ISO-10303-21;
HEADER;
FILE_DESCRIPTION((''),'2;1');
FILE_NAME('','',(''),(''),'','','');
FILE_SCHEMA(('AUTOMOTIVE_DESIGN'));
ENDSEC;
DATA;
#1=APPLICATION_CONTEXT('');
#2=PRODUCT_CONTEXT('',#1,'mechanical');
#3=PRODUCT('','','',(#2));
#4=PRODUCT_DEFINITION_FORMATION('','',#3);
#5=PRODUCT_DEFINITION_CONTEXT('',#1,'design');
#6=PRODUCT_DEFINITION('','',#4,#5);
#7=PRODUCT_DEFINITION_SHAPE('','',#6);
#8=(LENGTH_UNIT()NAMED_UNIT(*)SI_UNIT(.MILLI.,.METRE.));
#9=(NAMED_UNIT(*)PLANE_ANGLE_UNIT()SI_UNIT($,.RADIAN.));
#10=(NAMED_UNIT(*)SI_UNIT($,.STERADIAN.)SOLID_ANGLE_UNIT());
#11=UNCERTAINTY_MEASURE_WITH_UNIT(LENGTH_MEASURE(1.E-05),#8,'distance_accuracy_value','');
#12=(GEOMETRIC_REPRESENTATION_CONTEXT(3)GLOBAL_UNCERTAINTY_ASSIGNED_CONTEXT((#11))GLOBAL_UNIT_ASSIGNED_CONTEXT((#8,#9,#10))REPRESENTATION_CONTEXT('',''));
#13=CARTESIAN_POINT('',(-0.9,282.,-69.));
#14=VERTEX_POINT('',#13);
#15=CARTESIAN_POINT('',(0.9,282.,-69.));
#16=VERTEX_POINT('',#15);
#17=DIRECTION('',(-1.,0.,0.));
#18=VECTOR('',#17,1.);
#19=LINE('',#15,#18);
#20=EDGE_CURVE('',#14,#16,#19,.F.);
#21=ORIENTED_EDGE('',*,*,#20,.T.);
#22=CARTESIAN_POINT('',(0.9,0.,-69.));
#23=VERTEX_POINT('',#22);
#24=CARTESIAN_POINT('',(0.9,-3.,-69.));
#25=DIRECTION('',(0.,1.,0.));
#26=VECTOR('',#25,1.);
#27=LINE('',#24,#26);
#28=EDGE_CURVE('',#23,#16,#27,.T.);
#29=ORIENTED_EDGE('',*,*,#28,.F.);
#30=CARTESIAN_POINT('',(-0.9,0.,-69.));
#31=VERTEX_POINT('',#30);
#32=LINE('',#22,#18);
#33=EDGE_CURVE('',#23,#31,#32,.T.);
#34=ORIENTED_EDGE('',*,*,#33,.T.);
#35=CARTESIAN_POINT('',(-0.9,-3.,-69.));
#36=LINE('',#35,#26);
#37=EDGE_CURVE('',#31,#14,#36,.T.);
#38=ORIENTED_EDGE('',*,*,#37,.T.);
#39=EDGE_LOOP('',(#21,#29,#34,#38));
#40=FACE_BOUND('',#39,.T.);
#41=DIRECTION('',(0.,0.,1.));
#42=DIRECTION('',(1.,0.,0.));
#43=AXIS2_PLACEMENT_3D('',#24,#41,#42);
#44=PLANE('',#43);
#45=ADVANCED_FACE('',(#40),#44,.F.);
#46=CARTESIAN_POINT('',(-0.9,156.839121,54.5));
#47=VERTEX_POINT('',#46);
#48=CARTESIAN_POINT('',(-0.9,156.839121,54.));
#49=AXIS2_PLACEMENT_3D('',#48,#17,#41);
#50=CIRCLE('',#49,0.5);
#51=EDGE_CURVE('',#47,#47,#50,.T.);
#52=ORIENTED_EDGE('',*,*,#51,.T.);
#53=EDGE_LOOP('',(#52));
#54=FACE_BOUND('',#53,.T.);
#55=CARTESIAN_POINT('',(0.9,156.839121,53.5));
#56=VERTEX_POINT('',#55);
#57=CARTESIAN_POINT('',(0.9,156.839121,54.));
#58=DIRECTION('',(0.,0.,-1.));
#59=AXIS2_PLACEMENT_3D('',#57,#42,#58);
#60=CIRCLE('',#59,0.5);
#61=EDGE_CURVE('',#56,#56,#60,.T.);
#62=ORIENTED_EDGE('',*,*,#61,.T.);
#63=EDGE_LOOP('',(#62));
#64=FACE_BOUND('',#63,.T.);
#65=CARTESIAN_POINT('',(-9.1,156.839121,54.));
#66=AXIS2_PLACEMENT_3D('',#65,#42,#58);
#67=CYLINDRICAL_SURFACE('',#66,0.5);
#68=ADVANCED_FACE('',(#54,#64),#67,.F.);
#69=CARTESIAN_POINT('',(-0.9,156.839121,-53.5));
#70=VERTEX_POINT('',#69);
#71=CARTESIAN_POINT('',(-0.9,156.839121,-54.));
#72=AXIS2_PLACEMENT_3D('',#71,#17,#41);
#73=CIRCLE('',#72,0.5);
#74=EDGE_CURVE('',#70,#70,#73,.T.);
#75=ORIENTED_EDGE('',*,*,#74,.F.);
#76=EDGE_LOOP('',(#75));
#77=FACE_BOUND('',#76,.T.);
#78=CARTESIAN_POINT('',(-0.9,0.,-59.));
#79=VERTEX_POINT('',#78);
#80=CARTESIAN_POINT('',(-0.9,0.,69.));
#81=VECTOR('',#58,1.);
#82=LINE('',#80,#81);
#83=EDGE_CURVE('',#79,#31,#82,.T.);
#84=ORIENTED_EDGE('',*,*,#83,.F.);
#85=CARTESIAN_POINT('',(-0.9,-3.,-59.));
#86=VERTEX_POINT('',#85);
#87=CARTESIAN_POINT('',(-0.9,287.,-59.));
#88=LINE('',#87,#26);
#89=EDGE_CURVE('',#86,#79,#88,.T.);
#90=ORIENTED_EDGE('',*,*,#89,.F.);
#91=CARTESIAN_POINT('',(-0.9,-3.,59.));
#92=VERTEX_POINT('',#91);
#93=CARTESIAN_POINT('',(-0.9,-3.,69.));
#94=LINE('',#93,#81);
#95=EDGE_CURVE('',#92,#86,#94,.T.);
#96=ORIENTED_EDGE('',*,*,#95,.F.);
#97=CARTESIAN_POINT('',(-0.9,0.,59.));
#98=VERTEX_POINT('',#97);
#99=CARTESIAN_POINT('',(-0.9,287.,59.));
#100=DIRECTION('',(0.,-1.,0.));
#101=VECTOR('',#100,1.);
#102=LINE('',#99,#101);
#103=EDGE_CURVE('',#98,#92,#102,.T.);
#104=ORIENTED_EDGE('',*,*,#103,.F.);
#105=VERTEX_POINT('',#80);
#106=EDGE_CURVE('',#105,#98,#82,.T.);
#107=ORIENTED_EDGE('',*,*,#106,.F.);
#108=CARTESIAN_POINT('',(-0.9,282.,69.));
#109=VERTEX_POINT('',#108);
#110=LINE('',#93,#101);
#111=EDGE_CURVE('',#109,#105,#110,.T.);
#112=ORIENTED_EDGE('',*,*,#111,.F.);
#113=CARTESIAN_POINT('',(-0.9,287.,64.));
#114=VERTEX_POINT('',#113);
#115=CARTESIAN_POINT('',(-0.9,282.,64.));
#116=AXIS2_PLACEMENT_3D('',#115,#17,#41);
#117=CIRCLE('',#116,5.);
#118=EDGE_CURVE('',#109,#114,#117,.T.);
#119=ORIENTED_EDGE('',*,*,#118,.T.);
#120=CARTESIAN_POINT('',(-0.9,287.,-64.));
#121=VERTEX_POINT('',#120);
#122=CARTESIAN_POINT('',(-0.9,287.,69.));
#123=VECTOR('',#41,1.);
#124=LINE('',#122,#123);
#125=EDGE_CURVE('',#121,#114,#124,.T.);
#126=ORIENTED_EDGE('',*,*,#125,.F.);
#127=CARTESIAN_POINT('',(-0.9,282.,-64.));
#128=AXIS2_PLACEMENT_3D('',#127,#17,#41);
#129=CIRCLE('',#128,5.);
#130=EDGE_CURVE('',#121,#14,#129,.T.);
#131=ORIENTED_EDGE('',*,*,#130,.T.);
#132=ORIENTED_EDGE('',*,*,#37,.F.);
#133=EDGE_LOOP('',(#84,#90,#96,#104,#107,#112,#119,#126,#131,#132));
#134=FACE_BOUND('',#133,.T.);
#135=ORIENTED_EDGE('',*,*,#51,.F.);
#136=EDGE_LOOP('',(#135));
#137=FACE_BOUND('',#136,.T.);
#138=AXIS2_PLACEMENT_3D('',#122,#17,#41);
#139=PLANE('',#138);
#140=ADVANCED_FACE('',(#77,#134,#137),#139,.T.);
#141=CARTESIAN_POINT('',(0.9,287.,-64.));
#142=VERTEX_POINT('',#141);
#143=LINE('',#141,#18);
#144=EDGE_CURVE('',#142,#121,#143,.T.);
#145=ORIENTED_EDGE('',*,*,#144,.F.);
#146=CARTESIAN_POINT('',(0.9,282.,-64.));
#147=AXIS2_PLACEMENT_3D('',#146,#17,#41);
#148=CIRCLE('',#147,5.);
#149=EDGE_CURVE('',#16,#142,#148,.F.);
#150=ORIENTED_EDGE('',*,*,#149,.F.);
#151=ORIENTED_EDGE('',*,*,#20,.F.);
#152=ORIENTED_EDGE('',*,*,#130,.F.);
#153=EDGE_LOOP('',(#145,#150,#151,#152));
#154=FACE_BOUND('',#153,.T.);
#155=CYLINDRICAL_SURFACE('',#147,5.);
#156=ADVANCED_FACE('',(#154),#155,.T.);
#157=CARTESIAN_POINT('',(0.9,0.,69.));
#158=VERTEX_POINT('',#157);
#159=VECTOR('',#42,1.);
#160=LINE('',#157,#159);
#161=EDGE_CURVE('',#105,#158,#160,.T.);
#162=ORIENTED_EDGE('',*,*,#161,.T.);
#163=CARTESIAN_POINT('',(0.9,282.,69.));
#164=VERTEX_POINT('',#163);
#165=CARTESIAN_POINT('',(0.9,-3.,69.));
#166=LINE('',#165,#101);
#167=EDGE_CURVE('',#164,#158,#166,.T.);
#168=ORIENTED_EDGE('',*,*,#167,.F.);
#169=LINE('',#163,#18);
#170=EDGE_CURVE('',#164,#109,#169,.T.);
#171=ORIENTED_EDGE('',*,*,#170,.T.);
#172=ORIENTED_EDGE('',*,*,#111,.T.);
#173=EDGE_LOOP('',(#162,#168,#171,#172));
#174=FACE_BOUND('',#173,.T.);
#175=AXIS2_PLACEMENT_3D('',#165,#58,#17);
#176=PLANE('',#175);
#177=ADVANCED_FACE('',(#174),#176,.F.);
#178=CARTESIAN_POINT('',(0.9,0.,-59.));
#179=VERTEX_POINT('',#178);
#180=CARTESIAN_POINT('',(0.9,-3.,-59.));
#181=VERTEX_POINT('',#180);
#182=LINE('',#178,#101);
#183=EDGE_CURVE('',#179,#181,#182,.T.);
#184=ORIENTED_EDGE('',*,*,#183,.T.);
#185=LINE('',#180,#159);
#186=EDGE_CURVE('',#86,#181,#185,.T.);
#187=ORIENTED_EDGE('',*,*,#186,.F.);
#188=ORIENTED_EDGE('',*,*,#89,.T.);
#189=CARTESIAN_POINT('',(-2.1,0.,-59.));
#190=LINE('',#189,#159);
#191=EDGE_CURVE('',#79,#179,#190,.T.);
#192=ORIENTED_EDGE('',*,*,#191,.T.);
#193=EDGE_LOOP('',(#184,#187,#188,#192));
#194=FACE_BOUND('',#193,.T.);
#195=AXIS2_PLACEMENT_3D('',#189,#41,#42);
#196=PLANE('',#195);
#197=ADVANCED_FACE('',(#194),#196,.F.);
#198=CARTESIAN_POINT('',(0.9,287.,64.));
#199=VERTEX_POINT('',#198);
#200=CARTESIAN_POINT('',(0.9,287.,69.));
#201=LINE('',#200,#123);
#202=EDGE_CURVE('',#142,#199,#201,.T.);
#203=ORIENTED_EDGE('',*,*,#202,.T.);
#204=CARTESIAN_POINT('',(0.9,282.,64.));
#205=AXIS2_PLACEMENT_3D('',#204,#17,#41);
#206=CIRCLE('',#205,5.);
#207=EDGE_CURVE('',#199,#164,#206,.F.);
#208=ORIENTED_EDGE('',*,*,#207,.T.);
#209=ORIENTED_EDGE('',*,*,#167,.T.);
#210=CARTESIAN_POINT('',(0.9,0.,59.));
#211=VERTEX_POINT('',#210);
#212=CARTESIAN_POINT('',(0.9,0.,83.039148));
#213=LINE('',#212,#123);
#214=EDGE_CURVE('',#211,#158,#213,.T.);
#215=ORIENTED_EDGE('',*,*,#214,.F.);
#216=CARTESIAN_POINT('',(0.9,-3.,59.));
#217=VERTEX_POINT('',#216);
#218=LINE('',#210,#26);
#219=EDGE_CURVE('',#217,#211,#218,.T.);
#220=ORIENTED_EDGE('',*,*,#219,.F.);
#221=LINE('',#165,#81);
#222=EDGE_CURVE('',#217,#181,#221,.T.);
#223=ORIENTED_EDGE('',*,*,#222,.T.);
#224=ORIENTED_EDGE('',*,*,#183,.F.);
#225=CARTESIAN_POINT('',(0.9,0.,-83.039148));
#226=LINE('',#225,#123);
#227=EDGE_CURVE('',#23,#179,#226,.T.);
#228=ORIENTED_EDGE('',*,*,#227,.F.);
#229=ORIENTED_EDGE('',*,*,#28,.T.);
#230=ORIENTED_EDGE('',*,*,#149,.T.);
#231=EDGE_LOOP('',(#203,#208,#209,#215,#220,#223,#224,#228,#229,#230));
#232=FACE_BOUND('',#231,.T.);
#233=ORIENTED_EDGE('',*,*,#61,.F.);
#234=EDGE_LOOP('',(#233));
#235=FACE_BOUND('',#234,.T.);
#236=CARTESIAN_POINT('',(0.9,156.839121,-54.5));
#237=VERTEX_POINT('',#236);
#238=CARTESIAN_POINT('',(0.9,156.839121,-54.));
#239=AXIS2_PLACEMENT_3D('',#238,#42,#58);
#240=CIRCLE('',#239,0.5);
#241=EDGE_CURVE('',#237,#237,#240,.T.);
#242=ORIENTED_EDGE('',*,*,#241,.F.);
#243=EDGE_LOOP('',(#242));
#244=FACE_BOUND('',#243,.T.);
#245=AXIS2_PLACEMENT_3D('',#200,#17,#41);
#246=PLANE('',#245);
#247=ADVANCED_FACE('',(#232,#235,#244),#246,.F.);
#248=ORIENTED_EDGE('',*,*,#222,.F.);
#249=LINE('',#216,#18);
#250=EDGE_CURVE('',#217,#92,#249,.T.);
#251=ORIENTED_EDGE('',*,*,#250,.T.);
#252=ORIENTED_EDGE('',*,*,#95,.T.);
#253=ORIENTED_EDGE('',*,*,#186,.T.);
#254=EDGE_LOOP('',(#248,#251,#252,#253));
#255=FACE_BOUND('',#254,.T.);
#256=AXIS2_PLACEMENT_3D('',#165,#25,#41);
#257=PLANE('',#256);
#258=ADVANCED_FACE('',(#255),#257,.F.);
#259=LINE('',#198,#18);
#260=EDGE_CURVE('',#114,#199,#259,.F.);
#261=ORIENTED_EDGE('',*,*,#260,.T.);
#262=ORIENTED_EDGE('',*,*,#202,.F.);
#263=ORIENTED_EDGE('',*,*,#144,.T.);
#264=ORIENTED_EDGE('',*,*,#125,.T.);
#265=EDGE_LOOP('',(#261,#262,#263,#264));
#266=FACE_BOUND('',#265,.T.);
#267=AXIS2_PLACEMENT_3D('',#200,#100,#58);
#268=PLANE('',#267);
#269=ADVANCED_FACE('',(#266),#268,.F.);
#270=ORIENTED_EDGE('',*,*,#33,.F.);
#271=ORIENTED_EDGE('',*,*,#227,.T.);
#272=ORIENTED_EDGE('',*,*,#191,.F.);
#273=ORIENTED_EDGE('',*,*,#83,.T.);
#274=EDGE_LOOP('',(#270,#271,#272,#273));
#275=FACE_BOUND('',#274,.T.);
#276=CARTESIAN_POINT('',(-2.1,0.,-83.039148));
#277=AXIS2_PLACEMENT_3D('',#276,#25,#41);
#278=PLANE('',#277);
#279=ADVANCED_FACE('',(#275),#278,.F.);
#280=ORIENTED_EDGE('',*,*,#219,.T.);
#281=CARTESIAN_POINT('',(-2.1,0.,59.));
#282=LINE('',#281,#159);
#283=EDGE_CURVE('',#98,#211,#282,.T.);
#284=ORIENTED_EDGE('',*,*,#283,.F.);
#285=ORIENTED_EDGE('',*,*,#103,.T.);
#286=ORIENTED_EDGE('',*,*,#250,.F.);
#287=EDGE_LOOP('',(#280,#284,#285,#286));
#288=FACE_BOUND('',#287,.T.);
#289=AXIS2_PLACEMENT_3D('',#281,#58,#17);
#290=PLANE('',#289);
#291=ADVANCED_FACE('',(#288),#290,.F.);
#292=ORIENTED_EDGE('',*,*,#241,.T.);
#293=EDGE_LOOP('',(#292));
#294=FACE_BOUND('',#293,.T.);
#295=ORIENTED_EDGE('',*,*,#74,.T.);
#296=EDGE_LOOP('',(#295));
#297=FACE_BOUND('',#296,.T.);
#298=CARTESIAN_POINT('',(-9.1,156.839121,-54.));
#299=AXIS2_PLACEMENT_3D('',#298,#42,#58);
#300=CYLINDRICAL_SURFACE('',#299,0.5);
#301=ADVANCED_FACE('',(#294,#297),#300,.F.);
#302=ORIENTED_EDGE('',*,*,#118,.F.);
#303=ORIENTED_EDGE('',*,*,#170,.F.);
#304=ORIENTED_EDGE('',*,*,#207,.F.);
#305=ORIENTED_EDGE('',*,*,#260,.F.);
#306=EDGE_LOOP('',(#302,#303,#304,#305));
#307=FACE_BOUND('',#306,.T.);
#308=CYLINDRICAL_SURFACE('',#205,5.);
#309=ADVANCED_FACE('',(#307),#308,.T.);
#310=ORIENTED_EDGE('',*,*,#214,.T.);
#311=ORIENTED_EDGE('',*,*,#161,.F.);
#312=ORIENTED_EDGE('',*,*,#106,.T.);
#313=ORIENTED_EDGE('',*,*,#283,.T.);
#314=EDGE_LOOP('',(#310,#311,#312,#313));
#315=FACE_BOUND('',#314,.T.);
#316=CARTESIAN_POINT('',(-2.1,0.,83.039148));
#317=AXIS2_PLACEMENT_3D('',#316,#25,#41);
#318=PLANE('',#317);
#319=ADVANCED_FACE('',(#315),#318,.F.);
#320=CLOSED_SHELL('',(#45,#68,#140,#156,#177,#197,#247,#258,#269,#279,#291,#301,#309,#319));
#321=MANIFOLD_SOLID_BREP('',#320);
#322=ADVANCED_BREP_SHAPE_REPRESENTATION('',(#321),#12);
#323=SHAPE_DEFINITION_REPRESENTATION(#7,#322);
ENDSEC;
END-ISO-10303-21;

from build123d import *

# Parameters (mm, degrees)
SKETCH1_W           = 138
SKETCH1_H           = 290
BOSS_EXTRUDE1_DEPTH = 0.9
SKETCH2_W           = 24.039147707
SKETCH2_H           = 8.338300827
CUT_EXTRUDE1_DEPTH  = 3
SKETCH4_R           = 0.5
CUT_EXTRUDE2_DEPTH  = 10
FILLET1_R           = 5


with BuildPart() as part:
    # Sketch1 → Boss-Extrude1 (new body, symmetric)
    with BuildSketch(Plane(origin=(0, 0, 0), x_dir=(0, 0, -1), z_dir=(1, 0, 0))):
        with Locations((0, 142)):
            Rectangle(SKETCH1_W, SKETCH1_H)
    extrude(amount=BOSS_EXTRUDE1_DEPTH, both=True)

    # Sketch2 → Cut-Extrude1 (cut)
    with BuildSketch(Plane(origin=(0.9, 0, 0), x_dir=(0, 0, -1), z_dir=(1, 0, 0))):
        with Locations((71.019573854, -4.169150414)):
            Rectangle(SKETCH2_W, SKETCH2_H)
        with Locations((-71.019573854, -4.169150414)):
            Rectangle(SKETCH2_W, SKETCH2_H)
    extrude(amount=-CUT_EXTRUDE1_DEPTH, mode=Mode.SUBTRACT)

    # Sketch4 → Cut-Extrude2 (cut)
    with BuildSketch(Plane(origin=(0.9, 0, 0), x_dir=(0, 0, -1), z_dir=(1, 0, 0))):
        with Locations((-54, 156.83912074)):
            Circle(SKETCH4_R)
        with Locations((54, 156.83912074)):
            Circle(SKETCH4_R)
    extrude(amount=-CUT_EXTRUDE2_DEPTH, mode=Mode.SUBTRACT)

    # Fillet1
    fillet1_edges = [part.edges().sort_by_distance(p)[0] for p in [
        (0, 287, 69),
        (0, 287, -69),
    ]]
    fillet(fillet1_edges, radius=FILLET1_R)


solid = part.part
